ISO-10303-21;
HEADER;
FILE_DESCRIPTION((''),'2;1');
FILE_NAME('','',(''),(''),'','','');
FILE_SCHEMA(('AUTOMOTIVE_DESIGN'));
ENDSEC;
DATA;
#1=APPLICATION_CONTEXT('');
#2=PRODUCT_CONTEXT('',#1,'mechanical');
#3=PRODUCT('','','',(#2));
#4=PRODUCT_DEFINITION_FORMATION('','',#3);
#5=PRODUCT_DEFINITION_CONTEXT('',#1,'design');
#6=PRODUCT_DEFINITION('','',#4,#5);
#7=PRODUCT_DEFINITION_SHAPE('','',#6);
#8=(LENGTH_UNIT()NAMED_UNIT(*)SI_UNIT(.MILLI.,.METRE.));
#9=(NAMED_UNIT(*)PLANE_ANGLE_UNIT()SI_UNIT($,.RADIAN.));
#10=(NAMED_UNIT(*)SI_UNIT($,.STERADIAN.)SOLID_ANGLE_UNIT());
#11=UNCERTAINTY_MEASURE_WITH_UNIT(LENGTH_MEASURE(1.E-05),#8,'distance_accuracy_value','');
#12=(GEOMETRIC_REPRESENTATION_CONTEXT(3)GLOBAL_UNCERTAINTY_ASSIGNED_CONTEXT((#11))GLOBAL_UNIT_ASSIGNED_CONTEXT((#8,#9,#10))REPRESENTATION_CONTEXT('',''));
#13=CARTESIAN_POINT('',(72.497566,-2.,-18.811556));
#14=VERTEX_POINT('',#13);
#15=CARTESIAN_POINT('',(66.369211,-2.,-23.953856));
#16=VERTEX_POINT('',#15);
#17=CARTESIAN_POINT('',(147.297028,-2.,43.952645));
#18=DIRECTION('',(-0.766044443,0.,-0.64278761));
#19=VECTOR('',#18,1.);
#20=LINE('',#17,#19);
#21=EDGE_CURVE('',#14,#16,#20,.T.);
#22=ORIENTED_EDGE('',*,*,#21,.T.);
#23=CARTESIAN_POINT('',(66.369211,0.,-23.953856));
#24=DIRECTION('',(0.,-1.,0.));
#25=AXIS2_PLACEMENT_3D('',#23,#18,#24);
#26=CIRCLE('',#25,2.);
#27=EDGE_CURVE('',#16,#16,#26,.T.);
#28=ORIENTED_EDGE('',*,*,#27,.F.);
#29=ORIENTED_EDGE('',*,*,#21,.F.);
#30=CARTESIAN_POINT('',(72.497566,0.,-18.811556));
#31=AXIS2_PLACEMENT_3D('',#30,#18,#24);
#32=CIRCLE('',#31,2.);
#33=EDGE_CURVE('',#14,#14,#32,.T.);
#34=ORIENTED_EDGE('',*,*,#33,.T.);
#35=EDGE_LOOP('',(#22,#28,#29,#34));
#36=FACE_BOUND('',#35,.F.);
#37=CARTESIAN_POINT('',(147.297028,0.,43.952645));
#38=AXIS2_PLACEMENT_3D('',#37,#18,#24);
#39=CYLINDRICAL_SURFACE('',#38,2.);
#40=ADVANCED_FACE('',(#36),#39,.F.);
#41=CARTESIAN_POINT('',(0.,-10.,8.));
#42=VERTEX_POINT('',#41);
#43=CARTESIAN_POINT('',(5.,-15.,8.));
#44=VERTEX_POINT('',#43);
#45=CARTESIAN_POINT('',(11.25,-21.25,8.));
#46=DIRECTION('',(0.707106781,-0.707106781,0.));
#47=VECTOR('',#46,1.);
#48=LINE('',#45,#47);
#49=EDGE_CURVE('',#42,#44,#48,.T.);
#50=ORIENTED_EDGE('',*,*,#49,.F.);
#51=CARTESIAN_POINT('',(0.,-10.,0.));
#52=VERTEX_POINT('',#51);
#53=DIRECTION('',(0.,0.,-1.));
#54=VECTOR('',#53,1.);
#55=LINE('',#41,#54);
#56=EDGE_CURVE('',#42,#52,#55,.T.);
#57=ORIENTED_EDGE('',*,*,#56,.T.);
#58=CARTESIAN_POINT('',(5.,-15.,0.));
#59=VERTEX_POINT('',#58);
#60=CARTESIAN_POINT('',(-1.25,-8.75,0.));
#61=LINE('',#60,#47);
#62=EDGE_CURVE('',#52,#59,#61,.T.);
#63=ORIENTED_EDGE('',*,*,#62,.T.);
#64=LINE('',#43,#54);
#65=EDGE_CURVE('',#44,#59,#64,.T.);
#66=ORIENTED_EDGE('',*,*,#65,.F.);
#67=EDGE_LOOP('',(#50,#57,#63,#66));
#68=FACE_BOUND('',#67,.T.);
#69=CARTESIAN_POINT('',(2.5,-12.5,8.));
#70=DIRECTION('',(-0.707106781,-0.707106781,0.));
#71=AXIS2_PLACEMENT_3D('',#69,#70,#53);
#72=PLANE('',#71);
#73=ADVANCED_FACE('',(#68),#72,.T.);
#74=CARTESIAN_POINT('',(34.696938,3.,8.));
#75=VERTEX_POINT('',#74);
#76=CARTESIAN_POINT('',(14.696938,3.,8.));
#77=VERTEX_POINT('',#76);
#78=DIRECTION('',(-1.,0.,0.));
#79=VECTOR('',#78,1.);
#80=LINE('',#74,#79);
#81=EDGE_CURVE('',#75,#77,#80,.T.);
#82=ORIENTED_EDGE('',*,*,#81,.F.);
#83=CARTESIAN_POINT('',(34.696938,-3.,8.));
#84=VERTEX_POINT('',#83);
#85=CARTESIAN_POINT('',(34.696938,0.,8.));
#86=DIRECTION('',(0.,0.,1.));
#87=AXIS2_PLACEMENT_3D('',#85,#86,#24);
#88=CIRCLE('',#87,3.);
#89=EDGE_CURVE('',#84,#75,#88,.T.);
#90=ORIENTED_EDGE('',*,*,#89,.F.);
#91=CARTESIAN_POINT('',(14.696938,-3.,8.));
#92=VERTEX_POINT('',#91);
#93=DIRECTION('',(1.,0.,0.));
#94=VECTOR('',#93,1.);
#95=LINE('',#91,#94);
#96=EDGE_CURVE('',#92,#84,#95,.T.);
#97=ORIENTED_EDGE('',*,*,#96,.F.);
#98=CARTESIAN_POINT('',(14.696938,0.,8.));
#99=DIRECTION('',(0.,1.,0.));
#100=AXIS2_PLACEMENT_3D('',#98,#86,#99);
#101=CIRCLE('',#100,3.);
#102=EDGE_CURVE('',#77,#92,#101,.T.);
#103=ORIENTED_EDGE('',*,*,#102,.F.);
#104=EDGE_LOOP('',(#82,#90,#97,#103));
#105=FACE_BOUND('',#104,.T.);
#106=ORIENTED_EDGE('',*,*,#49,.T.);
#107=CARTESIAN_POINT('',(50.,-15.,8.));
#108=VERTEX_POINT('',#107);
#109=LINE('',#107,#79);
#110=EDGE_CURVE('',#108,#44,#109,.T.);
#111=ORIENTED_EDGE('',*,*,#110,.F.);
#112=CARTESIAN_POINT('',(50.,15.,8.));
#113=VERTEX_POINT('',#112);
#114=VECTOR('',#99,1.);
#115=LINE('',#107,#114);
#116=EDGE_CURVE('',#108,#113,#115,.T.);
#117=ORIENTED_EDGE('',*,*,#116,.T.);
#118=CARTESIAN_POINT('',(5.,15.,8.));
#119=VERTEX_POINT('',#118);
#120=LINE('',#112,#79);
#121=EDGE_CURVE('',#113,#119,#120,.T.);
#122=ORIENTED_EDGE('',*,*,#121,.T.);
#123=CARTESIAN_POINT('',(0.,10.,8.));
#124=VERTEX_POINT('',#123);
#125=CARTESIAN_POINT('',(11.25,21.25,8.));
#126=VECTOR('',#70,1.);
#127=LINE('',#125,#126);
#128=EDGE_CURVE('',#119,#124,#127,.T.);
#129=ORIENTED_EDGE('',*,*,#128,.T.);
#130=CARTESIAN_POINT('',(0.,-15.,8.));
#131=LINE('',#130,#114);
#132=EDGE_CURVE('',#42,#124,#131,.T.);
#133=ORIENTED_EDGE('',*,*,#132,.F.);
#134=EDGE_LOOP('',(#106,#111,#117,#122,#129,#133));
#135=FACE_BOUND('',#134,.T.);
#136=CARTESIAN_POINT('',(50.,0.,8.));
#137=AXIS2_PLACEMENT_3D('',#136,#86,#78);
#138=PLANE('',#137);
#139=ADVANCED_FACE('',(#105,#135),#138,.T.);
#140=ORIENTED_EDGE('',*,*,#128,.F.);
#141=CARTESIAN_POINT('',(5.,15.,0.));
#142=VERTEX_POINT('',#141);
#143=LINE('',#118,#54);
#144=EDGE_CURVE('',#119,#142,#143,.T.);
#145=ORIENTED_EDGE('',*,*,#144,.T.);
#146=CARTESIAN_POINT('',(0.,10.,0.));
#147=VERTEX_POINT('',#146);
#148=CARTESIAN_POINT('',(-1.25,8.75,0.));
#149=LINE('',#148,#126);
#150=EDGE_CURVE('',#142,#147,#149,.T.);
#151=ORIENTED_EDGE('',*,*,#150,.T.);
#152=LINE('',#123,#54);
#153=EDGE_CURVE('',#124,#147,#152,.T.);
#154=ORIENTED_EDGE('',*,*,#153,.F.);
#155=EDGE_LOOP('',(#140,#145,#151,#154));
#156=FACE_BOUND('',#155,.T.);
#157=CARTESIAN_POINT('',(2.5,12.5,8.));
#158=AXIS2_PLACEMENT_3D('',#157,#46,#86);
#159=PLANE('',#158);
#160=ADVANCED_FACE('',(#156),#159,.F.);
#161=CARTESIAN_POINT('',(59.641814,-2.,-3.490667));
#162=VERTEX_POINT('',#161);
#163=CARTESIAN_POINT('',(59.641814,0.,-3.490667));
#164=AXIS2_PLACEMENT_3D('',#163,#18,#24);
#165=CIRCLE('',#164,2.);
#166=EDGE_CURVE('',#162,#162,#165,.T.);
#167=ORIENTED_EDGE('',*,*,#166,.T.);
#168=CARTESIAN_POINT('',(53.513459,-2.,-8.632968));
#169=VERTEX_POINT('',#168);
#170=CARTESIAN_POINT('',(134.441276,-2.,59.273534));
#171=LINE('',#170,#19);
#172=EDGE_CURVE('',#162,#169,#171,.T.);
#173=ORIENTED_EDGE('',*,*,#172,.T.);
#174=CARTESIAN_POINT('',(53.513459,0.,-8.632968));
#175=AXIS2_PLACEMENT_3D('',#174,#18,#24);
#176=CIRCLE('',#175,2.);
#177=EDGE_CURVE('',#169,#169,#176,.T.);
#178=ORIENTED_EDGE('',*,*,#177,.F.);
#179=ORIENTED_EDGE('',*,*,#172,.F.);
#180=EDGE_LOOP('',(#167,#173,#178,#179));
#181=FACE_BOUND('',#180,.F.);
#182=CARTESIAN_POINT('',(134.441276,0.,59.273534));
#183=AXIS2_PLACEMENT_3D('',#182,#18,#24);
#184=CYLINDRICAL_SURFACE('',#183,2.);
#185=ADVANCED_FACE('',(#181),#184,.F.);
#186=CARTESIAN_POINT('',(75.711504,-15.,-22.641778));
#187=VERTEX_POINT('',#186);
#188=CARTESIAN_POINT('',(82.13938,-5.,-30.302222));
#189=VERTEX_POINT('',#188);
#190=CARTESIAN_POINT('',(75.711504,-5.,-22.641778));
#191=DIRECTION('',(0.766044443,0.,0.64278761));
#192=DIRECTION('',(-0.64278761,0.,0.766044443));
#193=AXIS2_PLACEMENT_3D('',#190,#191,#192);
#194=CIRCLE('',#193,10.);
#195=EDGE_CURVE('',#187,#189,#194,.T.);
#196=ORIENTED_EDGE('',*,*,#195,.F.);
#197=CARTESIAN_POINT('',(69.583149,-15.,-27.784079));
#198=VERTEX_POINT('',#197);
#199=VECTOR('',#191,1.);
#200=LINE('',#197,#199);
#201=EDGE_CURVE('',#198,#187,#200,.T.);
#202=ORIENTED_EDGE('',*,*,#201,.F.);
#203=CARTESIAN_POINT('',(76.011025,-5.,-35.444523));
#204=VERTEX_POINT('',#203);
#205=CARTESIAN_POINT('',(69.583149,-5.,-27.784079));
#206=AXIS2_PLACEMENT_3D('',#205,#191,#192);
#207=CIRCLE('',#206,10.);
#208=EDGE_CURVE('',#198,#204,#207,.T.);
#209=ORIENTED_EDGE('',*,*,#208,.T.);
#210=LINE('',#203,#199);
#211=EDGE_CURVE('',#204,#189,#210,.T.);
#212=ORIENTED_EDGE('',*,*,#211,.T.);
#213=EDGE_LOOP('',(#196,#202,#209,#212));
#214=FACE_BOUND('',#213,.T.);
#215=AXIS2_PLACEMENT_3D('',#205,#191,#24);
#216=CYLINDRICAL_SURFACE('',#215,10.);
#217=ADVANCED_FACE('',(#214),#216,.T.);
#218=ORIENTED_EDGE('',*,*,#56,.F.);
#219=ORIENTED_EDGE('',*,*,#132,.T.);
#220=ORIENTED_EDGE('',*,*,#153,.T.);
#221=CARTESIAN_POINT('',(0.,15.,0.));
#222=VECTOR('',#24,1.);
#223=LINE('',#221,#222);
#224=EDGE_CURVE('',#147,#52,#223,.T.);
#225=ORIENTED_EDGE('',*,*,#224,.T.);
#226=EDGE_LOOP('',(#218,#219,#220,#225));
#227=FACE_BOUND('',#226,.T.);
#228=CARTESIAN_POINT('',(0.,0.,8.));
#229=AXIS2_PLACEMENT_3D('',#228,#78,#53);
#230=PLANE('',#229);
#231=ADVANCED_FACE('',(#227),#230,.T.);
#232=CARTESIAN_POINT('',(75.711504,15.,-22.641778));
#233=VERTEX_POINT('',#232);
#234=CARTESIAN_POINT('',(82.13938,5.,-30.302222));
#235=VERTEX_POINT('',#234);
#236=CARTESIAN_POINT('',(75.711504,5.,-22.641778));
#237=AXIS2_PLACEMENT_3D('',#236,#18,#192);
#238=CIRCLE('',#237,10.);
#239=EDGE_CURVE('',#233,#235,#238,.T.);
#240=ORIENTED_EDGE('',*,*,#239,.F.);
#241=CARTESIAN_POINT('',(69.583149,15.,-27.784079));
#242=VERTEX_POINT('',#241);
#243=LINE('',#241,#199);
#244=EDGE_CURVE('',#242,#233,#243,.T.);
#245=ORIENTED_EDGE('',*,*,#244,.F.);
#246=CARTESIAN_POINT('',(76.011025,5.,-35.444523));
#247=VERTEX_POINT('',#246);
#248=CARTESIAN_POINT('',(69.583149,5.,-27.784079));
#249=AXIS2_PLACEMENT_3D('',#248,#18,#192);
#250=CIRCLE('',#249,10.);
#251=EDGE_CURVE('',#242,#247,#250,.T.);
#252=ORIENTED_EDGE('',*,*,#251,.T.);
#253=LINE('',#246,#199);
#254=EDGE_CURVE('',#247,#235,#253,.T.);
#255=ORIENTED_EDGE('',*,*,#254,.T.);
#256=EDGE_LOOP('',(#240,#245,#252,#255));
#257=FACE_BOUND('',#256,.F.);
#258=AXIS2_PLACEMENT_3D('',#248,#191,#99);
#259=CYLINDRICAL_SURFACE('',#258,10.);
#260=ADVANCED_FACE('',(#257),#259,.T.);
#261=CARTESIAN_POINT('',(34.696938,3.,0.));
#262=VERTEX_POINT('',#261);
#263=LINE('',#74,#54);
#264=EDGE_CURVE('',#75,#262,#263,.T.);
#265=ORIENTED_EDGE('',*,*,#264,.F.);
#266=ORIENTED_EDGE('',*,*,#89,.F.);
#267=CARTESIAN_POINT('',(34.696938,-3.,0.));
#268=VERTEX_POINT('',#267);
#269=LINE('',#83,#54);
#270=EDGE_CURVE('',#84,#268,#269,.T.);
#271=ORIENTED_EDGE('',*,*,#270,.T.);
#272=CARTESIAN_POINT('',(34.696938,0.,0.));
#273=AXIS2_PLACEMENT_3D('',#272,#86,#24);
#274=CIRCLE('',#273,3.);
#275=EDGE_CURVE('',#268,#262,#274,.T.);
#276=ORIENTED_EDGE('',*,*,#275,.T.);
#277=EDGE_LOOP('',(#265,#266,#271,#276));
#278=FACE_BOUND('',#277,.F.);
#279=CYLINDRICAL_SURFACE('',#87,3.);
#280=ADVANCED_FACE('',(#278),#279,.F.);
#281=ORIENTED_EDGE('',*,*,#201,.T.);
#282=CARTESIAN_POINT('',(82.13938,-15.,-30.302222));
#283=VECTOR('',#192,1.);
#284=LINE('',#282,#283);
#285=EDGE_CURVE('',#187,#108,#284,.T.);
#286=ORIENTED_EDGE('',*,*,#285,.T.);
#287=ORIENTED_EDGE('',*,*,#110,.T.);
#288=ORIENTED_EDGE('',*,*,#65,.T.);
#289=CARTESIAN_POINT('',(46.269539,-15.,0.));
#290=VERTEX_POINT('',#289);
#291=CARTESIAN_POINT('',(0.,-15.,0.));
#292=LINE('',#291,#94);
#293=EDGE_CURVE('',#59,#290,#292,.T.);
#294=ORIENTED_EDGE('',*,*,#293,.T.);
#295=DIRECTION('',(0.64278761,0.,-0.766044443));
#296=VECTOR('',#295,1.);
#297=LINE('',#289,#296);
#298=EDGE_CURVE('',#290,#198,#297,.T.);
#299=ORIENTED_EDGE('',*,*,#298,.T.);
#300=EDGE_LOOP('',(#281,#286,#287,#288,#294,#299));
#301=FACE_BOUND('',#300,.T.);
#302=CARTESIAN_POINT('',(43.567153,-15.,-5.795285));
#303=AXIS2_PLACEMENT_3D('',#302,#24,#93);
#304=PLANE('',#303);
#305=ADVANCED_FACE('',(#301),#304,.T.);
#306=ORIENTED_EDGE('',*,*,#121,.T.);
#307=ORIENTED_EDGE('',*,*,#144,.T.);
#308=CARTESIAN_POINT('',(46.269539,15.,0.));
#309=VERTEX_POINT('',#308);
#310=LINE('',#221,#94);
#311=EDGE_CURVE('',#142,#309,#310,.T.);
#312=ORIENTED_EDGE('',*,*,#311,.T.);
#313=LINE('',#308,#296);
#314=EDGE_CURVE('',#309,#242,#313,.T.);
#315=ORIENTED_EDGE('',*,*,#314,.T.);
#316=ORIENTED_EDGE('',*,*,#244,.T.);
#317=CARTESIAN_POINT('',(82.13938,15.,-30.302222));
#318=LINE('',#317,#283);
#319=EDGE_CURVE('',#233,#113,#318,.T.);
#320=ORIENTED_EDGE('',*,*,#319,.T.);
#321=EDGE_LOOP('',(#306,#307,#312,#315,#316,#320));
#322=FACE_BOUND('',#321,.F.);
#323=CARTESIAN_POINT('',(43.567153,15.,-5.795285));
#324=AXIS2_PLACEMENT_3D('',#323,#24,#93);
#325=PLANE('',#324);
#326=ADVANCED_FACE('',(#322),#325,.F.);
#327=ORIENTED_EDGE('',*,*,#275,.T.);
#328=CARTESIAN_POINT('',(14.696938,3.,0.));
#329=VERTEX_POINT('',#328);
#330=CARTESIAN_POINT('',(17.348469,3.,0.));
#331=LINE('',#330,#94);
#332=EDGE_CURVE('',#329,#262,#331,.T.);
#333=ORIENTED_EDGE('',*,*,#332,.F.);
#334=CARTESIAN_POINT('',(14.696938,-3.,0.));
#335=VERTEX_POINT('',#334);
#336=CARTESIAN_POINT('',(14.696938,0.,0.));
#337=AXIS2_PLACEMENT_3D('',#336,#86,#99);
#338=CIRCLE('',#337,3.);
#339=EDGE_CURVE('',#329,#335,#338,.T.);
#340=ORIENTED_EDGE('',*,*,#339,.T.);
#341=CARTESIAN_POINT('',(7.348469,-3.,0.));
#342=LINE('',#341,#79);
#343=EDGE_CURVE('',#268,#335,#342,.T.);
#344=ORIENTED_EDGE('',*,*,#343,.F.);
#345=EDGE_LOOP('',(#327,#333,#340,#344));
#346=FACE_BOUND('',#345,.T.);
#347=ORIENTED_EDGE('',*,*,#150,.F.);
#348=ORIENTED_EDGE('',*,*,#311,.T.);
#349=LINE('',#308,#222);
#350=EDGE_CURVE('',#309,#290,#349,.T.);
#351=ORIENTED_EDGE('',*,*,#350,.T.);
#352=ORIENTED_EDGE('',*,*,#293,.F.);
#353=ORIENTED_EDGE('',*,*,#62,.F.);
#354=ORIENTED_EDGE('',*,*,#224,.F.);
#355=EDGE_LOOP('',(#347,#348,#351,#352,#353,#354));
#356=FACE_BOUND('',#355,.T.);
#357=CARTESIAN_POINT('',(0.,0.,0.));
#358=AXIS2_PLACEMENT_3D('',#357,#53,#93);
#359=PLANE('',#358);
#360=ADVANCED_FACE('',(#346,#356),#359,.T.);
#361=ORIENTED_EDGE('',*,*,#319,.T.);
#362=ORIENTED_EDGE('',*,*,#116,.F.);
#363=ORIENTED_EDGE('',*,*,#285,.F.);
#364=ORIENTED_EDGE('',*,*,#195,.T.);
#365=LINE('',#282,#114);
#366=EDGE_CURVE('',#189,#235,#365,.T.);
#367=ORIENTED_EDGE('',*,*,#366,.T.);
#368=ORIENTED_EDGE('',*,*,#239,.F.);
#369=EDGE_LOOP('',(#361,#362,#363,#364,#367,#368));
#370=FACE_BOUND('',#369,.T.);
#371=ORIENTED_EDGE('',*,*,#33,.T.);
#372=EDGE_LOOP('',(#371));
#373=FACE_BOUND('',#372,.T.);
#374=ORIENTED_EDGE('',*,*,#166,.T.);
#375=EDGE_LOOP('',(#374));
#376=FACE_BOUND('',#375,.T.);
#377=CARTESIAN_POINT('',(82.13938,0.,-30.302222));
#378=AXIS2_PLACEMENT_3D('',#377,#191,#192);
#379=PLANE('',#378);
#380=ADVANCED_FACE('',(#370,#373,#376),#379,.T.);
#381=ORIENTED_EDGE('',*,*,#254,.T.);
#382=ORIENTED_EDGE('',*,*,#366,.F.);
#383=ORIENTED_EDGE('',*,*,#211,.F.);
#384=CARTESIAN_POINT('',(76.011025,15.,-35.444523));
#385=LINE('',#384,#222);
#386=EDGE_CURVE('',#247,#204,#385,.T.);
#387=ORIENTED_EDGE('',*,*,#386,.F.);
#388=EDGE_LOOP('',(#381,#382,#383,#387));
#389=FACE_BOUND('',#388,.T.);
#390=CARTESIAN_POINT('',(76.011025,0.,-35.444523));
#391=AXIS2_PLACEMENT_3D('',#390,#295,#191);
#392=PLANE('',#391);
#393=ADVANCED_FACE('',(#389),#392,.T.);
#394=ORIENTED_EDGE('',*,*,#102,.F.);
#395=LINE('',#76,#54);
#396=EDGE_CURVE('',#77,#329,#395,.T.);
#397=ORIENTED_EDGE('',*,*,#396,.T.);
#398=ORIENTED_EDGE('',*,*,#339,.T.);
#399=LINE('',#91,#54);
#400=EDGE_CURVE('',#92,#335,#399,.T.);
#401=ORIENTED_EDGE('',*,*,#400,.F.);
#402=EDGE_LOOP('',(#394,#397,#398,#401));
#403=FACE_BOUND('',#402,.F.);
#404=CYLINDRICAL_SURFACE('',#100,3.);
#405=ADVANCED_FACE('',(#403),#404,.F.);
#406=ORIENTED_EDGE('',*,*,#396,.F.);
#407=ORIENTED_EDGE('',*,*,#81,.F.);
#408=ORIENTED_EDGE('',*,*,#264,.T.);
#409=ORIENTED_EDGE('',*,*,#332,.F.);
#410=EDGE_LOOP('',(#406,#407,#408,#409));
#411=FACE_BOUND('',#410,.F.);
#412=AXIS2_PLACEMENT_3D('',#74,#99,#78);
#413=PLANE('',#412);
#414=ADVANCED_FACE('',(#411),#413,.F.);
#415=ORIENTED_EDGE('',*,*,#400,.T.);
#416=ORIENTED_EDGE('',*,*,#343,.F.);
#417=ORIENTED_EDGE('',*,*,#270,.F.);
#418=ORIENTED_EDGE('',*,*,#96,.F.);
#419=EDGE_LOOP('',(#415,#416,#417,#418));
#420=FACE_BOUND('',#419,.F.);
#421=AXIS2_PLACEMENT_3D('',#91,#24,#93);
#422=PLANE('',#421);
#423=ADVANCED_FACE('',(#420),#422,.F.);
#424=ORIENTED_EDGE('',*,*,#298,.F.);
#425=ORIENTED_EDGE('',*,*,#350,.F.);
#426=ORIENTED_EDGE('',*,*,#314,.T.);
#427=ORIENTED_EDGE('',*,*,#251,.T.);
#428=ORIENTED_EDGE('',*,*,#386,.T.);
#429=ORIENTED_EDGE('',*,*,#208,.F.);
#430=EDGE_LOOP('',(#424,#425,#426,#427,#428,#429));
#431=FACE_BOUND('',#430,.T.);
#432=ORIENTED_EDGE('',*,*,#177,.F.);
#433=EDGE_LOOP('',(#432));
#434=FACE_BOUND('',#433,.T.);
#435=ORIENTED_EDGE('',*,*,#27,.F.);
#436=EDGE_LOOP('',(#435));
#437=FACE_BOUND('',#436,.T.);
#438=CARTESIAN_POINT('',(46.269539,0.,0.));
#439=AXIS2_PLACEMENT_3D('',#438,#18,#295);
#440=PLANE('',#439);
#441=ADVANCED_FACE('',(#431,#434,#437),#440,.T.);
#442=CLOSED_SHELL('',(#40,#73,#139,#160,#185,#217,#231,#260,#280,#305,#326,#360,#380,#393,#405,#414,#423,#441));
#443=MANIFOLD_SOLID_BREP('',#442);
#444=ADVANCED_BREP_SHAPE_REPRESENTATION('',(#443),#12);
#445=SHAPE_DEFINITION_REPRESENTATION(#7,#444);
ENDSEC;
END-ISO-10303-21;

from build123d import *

# Parameters (mm, degrees)
F1_DEPTH = 15
F3_DEPTH = 43.4455230334
F5_D     = 4
F6_R     = 10
F7_SIZE  = 5


with BuildPart() as f1:
    # F0 (on Front) → F1 (new body, symmetric)
    with BuildSketch(Plane.XZ):
        Polygon((0, 8), (0, 0), (46.2695387348, 0), (76.0110249394, -35.4445230334), (82.1393804843, -30.3022221559), (50, 8), align=None)
    extrude(amount=F1_DEPTH, both=True)

    # F2 (on face) → F3 (cut, through all)
    with BuildSketch(Plane.XY.offset(8)):
        with BuildLine():
            ThreePointArc((14.6969384567, 3), (11.6969384567, 0), (14.6969384567, -3))
            Line((14.6969384567, -3), (34.6969384567, -3))
            ThreePointArc((34.6969384567, -3), (37.6969384567, 0), (34.6969384567, 3))
            Line((34.6969384567, 3), (14.6969384567, 3))
        make_face()
    extrude(amount=-F3_DEPTH, mode=Mode.SUBTRACT)

    # F5 (through all)
    with Locations(Plane(origin=(33.2804354537, 0, 27.9256011146), x_dir=(0, 1, 0), z_dir=(0.7660444431, 0, 0.6427876097))):
        with Locations((0, -41.0110249394), (0, -61.0110249394)):
            Hole(F5_D / 2)

    # F6
    f6_edges = [f1.edges().sort_by_distance(p)[0] for p in [
        (79.075203, -15, -32.873373),
        (79.075203, 15, -32.873373),
    ]]
    fillet(f6_edges, radius=F6_R)

    # F7
    f7_edges = [f1.edges().sort_by_distance(p)[0] for p in [
        (0, 15, 4),
        (0, -15, 4),
    ]]
    chamfer(f7_edges, length=F7_SIZE)


solid = f1.part
